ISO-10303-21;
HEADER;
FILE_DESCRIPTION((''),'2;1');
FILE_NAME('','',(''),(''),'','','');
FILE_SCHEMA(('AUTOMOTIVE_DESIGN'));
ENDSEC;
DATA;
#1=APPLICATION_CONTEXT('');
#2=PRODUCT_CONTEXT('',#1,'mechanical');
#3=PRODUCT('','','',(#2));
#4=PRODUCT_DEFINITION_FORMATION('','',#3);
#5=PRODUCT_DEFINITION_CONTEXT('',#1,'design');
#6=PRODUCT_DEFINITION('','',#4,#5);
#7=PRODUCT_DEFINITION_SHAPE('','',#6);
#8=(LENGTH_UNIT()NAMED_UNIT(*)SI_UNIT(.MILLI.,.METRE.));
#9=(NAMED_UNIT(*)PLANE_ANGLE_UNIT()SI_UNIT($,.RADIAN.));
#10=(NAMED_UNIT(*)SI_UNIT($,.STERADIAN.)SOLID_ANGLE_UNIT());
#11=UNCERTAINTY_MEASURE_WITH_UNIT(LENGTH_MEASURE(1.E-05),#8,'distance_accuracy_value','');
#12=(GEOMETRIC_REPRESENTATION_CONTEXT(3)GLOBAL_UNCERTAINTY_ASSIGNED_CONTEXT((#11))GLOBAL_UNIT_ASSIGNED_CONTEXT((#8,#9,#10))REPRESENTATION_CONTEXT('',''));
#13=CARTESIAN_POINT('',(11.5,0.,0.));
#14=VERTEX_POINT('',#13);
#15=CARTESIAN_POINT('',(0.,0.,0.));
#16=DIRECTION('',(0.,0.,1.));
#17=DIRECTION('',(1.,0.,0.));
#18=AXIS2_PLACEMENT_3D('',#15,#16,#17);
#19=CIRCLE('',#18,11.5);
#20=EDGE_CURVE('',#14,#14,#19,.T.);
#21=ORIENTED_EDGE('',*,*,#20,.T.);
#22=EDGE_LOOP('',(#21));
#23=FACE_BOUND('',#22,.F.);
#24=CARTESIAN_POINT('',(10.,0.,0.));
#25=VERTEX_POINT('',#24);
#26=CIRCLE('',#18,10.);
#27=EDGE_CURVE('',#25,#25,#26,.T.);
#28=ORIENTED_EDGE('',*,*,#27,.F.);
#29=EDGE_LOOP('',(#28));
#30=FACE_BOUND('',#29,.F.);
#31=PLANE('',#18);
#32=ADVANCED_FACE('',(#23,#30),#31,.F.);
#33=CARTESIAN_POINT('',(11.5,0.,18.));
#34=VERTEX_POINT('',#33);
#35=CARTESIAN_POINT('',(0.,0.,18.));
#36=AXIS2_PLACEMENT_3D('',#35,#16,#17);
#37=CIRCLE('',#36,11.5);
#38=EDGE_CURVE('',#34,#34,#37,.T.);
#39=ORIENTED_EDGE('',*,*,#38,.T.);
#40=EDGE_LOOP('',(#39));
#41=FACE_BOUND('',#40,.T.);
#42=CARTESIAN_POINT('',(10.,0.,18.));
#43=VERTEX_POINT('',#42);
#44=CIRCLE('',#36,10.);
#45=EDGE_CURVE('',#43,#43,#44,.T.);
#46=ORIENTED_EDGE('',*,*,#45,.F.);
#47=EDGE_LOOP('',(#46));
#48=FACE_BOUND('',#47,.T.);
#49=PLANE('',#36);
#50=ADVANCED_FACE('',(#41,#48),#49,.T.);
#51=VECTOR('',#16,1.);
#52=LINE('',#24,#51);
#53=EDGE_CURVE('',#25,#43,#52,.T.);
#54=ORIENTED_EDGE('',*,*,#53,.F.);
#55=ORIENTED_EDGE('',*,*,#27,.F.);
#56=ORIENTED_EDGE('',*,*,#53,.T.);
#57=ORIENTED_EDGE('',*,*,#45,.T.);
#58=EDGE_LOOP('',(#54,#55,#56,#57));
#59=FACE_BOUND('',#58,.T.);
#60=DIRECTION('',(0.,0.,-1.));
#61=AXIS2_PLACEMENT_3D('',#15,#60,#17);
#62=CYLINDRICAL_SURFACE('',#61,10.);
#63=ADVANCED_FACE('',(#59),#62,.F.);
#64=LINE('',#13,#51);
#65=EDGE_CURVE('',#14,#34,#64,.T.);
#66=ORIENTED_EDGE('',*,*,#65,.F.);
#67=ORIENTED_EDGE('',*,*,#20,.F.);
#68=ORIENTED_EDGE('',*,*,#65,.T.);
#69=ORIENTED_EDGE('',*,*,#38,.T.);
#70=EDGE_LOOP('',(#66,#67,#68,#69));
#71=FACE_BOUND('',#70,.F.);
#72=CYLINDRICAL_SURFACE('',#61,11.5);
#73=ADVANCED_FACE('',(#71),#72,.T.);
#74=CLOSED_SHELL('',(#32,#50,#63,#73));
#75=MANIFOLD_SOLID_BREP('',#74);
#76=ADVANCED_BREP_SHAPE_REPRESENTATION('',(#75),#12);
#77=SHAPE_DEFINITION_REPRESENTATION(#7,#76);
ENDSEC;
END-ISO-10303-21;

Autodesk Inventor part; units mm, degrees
ref_plane "YZ Plane" through (0, 0, 0) normal (1, 0, 0) x (0, 1, 0)
ref_plane "XZ Plane" through (0, 0, 0) normal (0, 1, 0) x (-1, 0, 0)
ref_plane "XY Plane" through (0, 0, 0) normal (0, 0, 1) x (1, 0, 0)
sketch "スケッチ1" plane through (0, 0, 0) normal (0, 0, 1) x (1, 0, 0)
  circle A0 centre (0, 0) radius 10
  circle A1 centre (0, 0) radius 11.5
  dimension "d1" = 20
  dimension "d2" = 23
extrude "押し出し1" add sketch "スケッチ1" along normal blind 18
properties part number "オイレス　内径20 L=18" material "アセタール樹脂、黒"
